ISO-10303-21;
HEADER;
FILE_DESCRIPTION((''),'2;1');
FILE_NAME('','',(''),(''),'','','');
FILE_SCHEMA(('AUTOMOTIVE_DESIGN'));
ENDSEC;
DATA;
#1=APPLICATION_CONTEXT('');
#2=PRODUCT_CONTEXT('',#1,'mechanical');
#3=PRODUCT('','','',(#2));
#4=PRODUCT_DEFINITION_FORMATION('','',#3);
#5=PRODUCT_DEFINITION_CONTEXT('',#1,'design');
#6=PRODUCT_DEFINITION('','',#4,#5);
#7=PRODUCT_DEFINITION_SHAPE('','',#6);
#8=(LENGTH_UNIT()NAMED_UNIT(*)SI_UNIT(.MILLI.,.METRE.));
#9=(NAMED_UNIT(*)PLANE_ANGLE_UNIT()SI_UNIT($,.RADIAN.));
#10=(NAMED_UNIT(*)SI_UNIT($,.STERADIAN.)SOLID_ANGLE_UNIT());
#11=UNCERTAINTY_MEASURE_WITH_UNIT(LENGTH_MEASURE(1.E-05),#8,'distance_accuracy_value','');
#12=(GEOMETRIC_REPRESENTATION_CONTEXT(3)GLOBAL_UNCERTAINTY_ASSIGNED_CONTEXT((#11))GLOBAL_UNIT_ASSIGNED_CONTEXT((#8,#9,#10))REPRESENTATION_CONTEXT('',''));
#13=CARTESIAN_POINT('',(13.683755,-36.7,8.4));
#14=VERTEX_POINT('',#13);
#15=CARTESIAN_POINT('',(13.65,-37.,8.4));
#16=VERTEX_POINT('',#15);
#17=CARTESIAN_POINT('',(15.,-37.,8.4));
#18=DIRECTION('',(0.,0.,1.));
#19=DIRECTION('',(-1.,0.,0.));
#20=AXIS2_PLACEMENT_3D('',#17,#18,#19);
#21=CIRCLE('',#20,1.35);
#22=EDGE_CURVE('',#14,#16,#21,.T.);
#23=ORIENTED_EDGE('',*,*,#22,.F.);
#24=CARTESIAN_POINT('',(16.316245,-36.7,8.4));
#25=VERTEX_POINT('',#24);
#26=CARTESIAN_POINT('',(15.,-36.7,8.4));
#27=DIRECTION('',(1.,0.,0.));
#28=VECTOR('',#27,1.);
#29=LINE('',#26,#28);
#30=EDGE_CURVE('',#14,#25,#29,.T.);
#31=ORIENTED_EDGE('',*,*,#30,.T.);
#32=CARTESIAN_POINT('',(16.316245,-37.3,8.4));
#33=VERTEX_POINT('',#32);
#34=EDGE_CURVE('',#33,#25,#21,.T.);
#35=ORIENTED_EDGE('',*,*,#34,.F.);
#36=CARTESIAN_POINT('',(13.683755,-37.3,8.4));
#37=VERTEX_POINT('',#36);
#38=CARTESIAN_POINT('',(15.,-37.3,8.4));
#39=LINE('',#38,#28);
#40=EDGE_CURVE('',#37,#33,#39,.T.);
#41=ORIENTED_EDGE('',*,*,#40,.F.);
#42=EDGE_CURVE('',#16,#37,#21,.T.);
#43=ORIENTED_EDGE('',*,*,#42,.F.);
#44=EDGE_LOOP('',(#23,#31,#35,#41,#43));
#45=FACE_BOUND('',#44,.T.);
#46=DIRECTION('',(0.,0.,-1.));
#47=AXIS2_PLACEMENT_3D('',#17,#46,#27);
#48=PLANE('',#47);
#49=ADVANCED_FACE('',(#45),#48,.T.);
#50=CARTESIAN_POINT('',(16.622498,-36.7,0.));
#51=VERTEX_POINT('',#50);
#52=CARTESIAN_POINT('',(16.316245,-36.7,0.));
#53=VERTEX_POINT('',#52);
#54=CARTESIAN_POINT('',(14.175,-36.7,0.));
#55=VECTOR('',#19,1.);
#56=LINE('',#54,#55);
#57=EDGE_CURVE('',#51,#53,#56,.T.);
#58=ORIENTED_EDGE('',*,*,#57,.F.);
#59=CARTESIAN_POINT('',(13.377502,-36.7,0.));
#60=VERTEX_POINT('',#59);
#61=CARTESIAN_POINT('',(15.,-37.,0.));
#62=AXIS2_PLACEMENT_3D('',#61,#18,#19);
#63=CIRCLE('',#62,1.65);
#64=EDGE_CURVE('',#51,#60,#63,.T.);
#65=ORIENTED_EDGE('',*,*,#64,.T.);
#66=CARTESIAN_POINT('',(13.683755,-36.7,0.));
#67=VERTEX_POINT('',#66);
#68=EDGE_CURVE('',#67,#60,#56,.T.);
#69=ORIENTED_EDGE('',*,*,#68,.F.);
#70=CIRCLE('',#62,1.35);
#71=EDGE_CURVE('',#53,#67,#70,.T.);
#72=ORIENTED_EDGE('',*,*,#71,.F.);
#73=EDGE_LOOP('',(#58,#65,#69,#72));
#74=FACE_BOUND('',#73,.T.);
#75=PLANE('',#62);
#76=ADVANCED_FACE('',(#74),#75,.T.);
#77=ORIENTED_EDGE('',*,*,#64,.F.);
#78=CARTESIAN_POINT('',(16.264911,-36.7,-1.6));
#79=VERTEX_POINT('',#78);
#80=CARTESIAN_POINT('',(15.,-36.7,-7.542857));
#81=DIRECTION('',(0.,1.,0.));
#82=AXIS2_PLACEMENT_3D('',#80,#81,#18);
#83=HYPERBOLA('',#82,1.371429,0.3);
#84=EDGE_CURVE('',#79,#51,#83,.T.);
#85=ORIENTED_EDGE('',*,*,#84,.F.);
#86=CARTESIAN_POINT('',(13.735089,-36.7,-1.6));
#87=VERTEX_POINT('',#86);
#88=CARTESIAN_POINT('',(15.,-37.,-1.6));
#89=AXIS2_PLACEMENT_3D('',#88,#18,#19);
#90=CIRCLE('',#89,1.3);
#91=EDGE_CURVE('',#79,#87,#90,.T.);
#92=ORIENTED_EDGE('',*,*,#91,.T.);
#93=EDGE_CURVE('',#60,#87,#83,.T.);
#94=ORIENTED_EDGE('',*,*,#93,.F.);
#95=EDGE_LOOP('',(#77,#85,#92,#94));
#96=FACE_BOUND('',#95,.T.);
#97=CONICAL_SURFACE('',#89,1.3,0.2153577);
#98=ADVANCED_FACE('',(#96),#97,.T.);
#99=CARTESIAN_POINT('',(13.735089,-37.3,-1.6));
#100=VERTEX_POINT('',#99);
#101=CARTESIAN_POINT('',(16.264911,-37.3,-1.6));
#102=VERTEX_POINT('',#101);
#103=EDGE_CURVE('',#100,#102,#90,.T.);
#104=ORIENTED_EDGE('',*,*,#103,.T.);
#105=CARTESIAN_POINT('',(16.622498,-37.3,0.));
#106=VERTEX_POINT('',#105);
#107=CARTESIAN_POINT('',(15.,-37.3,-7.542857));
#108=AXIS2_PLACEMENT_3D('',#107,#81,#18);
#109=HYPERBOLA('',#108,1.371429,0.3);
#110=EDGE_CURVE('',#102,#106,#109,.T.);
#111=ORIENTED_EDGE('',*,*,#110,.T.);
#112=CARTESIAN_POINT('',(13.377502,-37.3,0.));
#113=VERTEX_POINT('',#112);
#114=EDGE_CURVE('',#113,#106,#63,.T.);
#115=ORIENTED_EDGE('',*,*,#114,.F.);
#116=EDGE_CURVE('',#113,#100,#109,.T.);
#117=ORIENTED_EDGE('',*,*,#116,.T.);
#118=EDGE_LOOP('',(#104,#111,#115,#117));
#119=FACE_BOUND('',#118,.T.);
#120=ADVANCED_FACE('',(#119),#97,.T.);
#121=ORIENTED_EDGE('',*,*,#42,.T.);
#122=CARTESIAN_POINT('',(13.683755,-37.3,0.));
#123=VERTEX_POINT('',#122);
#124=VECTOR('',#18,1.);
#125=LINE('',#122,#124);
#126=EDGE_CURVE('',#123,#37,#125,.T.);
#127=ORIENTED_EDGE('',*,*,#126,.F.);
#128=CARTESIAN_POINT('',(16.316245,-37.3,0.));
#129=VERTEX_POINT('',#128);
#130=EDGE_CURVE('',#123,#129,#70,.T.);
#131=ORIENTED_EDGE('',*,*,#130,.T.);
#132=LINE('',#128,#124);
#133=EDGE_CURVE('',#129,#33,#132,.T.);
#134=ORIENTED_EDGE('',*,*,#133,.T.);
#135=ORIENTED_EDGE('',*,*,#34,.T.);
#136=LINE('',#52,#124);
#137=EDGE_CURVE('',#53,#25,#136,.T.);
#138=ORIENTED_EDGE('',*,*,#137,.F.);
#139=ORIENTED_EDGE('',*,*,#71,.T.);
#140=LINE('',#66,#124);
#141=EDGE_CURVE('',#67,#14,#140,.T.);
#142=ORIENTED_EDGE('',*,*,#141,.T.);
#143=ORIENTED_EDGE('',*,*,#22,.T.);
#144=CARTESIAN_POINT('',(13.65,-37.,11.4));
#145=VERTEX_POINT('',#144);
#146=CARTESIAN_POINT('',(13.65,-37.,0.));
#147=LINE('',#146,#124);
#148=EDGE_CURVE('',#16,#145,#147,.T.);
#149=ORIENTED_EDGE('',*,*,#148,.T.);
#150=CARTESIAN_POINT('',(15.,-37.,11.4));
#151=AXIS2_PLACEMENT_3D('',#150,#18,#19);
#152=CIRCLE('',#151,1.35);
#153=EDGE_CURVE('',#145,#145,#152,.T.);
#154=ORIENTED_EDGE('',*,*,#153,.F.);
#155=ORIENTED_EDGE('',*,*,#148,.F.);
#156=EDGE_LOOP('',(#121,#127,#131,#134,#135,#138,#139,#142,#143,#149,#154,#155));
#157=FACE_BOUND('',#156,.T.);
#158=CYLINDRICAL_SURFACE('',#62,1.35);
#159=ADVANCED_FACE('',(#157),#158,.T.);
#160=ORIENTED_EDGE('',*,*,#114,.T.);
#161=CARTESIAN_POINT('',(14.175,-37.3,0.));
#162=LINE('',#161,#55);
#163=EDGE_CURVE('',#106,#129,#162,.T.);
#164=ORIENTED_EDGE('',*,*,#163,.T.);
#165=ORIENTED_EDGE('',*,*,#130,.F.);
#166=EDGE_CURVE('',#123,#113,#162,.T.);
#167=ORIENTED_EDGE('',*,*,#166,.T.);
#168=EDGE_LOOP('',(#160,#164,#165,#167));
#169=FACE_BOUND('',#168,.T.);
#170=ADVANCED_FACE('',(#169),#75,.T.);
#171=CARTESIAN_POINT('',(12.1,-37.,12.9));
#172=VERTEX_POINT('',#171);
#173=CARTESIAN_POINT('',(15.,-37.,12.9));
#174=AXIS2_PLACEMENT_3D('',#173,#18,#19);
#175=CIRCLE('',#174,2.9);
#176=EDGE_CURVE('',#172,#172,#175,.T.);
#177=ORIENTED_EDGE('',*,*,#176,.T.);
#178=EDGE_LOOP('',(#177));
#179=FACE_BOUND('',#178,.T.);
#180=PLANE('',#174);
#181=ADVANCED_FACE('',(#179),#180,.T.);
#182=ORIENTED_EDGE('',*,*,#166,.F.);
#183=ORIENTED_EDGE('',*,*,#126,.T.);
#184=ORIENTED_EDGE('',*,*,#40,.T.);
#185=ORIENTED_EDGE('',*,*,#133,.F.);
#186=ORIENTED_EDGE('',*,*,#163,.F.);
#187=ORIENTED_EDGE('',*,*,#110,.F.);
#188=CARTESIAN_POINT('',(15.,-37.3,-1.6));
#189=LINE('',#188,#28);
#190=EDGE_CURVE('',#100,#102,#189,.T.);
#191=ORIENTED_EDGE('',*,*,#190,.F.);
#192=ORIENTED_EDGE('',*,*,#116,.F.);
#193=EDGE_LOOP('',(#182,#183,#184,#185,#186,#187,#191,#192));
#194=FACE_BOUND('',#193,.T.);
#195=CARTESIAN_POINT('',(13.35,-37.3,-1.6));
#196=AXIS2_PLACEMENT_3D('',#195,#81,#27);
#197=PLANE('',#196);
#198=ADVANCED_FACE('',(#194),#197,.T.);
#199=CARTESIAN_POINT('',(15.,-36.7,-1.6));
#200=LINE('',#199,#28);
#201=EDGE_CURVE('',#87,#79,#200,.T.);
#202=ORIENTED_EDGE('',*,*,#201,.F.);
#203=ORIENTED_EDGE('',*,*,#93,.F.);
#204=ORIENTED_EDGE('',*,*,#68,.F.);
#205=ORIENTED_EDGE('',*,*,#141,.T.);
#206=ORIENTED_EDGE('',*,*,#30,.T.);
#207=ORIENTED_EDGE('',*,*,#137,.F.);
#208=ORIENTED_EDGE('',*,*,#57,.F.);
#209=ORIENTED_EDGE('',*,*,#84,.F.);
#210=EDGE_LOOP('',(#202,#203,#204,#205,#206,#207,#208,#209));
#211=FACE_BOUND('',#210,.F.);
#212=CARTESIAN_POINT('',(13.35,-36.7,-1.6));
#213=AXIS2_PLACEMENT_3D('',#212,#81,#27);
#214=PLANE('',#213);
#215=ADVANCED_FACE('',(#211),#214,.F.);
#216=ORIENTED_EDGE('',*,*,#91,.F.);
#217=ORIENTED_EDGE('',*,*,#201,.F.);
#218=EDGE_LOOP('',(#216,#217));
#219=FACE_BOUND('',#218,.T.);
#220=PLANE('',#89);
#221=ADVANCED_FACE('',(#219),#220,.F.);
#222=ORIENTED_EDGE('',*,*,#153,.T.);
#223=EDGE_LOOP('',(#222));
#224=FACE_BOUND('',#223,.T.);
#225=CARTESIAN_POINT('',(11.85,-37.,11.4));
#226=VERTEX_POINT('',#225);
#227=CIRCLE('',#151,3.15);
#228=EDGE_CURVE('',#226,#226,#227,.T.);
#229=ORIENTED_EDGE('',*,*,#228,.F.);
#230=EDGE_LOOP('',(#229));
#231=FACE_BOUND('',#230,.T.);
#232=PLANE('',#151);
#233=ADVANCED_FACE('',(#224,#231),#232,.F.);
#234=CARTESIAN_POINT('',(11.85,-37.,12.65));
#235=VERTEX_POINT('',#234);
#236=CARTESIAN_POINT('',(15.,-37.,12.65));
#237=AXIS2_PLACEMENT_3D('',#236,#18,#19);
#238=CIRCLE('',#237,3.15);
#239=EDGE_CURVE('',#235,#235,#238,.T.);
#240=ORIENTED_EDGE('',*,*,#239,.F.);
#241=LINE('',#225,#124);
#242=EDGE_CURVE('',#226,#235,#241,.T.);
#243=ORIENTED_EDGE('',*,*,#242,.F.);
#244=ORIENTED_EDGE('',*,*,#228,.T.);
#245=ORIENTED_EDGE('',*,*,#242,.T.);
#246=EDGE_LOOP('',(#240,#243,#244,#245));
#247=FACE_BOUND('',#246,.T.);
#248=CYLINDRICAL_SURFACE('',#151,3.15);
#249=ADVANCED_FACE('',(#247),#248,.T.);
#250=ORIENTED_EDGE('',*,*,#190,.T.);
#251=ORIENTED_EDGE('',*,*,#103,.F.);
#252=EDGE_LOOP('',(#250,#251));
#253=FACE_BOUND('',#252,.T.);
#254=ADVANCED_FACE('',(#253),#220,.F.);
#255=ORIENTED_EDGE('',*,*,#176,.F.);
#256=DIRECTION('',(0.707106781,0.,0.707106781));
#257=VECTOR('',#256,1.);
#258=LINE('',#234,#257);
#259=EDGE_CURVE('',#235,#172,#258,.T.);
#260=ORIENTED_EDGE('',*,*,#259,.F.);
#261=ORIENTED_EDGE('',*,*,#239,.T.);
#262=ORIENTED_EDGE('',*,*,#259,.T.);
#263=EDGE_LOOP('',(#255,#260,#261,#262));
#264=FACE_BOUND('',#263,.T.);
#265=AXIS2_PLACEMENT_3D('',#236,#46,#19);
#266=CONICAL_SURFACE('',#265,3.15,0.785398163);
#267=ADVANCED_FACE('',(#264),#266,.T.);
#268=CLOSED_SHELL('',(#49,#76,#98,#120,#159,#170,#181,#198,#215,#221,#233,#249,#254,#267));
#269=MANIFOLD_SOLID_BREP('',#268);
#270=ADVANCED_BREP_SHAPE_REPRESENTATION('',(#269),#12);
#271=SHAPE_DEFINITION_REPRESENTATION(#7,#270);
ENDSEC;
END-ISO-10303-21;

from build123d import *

# Parameters (mm, degrees)
CHAMFER001_SIZE = 0.25
SKETCH018_W     = 3.3
SKETCH018_H     = 0.6
POCKET009_DEPTH = 10


with BuildPart() as part:
    # Sketch017 → Revolution001 (revolve)
    with BuildSketch(Plane.XZ):
        Polygon((-1.35, 1.6), (-1.35, 13), (-3.15, 13), (-3.15, 14.5), (0, 14.5), (0, 0), (-1.3, 0), (-1.65, 1.6), align=None)
    revolve(axis=Axis((0, 0, 0), (0, 0, 1)))

    # Chamfer001
    chamfer001_edges = [part.edges().sort_by_distance(p)[0] for p in [
        (3.15, 0, 14.5),
    ]]
    chamfer(chamfer001_edges, length=CHAMFER001_SIZE)

    # Sketch018 (on Face8 of Chamfer001) → Pocket009 (cut)
    with BuildSketch(Plane(origin=(0, 0, 0), x_dir=(1, 0, 0), z_dir=(0, 0, -1))):
        Rectangle(SKETCH018_W, SKETCH018_H)
    extrude(amount=-POCKET009_DEPTH, mode=Mode.SUBTRACT)


with BuildPart() as part_1:
    # Body003 placement: moved
    add(part.part.moved(Location((15, -37, -1.6))))


solid = part_1.part
